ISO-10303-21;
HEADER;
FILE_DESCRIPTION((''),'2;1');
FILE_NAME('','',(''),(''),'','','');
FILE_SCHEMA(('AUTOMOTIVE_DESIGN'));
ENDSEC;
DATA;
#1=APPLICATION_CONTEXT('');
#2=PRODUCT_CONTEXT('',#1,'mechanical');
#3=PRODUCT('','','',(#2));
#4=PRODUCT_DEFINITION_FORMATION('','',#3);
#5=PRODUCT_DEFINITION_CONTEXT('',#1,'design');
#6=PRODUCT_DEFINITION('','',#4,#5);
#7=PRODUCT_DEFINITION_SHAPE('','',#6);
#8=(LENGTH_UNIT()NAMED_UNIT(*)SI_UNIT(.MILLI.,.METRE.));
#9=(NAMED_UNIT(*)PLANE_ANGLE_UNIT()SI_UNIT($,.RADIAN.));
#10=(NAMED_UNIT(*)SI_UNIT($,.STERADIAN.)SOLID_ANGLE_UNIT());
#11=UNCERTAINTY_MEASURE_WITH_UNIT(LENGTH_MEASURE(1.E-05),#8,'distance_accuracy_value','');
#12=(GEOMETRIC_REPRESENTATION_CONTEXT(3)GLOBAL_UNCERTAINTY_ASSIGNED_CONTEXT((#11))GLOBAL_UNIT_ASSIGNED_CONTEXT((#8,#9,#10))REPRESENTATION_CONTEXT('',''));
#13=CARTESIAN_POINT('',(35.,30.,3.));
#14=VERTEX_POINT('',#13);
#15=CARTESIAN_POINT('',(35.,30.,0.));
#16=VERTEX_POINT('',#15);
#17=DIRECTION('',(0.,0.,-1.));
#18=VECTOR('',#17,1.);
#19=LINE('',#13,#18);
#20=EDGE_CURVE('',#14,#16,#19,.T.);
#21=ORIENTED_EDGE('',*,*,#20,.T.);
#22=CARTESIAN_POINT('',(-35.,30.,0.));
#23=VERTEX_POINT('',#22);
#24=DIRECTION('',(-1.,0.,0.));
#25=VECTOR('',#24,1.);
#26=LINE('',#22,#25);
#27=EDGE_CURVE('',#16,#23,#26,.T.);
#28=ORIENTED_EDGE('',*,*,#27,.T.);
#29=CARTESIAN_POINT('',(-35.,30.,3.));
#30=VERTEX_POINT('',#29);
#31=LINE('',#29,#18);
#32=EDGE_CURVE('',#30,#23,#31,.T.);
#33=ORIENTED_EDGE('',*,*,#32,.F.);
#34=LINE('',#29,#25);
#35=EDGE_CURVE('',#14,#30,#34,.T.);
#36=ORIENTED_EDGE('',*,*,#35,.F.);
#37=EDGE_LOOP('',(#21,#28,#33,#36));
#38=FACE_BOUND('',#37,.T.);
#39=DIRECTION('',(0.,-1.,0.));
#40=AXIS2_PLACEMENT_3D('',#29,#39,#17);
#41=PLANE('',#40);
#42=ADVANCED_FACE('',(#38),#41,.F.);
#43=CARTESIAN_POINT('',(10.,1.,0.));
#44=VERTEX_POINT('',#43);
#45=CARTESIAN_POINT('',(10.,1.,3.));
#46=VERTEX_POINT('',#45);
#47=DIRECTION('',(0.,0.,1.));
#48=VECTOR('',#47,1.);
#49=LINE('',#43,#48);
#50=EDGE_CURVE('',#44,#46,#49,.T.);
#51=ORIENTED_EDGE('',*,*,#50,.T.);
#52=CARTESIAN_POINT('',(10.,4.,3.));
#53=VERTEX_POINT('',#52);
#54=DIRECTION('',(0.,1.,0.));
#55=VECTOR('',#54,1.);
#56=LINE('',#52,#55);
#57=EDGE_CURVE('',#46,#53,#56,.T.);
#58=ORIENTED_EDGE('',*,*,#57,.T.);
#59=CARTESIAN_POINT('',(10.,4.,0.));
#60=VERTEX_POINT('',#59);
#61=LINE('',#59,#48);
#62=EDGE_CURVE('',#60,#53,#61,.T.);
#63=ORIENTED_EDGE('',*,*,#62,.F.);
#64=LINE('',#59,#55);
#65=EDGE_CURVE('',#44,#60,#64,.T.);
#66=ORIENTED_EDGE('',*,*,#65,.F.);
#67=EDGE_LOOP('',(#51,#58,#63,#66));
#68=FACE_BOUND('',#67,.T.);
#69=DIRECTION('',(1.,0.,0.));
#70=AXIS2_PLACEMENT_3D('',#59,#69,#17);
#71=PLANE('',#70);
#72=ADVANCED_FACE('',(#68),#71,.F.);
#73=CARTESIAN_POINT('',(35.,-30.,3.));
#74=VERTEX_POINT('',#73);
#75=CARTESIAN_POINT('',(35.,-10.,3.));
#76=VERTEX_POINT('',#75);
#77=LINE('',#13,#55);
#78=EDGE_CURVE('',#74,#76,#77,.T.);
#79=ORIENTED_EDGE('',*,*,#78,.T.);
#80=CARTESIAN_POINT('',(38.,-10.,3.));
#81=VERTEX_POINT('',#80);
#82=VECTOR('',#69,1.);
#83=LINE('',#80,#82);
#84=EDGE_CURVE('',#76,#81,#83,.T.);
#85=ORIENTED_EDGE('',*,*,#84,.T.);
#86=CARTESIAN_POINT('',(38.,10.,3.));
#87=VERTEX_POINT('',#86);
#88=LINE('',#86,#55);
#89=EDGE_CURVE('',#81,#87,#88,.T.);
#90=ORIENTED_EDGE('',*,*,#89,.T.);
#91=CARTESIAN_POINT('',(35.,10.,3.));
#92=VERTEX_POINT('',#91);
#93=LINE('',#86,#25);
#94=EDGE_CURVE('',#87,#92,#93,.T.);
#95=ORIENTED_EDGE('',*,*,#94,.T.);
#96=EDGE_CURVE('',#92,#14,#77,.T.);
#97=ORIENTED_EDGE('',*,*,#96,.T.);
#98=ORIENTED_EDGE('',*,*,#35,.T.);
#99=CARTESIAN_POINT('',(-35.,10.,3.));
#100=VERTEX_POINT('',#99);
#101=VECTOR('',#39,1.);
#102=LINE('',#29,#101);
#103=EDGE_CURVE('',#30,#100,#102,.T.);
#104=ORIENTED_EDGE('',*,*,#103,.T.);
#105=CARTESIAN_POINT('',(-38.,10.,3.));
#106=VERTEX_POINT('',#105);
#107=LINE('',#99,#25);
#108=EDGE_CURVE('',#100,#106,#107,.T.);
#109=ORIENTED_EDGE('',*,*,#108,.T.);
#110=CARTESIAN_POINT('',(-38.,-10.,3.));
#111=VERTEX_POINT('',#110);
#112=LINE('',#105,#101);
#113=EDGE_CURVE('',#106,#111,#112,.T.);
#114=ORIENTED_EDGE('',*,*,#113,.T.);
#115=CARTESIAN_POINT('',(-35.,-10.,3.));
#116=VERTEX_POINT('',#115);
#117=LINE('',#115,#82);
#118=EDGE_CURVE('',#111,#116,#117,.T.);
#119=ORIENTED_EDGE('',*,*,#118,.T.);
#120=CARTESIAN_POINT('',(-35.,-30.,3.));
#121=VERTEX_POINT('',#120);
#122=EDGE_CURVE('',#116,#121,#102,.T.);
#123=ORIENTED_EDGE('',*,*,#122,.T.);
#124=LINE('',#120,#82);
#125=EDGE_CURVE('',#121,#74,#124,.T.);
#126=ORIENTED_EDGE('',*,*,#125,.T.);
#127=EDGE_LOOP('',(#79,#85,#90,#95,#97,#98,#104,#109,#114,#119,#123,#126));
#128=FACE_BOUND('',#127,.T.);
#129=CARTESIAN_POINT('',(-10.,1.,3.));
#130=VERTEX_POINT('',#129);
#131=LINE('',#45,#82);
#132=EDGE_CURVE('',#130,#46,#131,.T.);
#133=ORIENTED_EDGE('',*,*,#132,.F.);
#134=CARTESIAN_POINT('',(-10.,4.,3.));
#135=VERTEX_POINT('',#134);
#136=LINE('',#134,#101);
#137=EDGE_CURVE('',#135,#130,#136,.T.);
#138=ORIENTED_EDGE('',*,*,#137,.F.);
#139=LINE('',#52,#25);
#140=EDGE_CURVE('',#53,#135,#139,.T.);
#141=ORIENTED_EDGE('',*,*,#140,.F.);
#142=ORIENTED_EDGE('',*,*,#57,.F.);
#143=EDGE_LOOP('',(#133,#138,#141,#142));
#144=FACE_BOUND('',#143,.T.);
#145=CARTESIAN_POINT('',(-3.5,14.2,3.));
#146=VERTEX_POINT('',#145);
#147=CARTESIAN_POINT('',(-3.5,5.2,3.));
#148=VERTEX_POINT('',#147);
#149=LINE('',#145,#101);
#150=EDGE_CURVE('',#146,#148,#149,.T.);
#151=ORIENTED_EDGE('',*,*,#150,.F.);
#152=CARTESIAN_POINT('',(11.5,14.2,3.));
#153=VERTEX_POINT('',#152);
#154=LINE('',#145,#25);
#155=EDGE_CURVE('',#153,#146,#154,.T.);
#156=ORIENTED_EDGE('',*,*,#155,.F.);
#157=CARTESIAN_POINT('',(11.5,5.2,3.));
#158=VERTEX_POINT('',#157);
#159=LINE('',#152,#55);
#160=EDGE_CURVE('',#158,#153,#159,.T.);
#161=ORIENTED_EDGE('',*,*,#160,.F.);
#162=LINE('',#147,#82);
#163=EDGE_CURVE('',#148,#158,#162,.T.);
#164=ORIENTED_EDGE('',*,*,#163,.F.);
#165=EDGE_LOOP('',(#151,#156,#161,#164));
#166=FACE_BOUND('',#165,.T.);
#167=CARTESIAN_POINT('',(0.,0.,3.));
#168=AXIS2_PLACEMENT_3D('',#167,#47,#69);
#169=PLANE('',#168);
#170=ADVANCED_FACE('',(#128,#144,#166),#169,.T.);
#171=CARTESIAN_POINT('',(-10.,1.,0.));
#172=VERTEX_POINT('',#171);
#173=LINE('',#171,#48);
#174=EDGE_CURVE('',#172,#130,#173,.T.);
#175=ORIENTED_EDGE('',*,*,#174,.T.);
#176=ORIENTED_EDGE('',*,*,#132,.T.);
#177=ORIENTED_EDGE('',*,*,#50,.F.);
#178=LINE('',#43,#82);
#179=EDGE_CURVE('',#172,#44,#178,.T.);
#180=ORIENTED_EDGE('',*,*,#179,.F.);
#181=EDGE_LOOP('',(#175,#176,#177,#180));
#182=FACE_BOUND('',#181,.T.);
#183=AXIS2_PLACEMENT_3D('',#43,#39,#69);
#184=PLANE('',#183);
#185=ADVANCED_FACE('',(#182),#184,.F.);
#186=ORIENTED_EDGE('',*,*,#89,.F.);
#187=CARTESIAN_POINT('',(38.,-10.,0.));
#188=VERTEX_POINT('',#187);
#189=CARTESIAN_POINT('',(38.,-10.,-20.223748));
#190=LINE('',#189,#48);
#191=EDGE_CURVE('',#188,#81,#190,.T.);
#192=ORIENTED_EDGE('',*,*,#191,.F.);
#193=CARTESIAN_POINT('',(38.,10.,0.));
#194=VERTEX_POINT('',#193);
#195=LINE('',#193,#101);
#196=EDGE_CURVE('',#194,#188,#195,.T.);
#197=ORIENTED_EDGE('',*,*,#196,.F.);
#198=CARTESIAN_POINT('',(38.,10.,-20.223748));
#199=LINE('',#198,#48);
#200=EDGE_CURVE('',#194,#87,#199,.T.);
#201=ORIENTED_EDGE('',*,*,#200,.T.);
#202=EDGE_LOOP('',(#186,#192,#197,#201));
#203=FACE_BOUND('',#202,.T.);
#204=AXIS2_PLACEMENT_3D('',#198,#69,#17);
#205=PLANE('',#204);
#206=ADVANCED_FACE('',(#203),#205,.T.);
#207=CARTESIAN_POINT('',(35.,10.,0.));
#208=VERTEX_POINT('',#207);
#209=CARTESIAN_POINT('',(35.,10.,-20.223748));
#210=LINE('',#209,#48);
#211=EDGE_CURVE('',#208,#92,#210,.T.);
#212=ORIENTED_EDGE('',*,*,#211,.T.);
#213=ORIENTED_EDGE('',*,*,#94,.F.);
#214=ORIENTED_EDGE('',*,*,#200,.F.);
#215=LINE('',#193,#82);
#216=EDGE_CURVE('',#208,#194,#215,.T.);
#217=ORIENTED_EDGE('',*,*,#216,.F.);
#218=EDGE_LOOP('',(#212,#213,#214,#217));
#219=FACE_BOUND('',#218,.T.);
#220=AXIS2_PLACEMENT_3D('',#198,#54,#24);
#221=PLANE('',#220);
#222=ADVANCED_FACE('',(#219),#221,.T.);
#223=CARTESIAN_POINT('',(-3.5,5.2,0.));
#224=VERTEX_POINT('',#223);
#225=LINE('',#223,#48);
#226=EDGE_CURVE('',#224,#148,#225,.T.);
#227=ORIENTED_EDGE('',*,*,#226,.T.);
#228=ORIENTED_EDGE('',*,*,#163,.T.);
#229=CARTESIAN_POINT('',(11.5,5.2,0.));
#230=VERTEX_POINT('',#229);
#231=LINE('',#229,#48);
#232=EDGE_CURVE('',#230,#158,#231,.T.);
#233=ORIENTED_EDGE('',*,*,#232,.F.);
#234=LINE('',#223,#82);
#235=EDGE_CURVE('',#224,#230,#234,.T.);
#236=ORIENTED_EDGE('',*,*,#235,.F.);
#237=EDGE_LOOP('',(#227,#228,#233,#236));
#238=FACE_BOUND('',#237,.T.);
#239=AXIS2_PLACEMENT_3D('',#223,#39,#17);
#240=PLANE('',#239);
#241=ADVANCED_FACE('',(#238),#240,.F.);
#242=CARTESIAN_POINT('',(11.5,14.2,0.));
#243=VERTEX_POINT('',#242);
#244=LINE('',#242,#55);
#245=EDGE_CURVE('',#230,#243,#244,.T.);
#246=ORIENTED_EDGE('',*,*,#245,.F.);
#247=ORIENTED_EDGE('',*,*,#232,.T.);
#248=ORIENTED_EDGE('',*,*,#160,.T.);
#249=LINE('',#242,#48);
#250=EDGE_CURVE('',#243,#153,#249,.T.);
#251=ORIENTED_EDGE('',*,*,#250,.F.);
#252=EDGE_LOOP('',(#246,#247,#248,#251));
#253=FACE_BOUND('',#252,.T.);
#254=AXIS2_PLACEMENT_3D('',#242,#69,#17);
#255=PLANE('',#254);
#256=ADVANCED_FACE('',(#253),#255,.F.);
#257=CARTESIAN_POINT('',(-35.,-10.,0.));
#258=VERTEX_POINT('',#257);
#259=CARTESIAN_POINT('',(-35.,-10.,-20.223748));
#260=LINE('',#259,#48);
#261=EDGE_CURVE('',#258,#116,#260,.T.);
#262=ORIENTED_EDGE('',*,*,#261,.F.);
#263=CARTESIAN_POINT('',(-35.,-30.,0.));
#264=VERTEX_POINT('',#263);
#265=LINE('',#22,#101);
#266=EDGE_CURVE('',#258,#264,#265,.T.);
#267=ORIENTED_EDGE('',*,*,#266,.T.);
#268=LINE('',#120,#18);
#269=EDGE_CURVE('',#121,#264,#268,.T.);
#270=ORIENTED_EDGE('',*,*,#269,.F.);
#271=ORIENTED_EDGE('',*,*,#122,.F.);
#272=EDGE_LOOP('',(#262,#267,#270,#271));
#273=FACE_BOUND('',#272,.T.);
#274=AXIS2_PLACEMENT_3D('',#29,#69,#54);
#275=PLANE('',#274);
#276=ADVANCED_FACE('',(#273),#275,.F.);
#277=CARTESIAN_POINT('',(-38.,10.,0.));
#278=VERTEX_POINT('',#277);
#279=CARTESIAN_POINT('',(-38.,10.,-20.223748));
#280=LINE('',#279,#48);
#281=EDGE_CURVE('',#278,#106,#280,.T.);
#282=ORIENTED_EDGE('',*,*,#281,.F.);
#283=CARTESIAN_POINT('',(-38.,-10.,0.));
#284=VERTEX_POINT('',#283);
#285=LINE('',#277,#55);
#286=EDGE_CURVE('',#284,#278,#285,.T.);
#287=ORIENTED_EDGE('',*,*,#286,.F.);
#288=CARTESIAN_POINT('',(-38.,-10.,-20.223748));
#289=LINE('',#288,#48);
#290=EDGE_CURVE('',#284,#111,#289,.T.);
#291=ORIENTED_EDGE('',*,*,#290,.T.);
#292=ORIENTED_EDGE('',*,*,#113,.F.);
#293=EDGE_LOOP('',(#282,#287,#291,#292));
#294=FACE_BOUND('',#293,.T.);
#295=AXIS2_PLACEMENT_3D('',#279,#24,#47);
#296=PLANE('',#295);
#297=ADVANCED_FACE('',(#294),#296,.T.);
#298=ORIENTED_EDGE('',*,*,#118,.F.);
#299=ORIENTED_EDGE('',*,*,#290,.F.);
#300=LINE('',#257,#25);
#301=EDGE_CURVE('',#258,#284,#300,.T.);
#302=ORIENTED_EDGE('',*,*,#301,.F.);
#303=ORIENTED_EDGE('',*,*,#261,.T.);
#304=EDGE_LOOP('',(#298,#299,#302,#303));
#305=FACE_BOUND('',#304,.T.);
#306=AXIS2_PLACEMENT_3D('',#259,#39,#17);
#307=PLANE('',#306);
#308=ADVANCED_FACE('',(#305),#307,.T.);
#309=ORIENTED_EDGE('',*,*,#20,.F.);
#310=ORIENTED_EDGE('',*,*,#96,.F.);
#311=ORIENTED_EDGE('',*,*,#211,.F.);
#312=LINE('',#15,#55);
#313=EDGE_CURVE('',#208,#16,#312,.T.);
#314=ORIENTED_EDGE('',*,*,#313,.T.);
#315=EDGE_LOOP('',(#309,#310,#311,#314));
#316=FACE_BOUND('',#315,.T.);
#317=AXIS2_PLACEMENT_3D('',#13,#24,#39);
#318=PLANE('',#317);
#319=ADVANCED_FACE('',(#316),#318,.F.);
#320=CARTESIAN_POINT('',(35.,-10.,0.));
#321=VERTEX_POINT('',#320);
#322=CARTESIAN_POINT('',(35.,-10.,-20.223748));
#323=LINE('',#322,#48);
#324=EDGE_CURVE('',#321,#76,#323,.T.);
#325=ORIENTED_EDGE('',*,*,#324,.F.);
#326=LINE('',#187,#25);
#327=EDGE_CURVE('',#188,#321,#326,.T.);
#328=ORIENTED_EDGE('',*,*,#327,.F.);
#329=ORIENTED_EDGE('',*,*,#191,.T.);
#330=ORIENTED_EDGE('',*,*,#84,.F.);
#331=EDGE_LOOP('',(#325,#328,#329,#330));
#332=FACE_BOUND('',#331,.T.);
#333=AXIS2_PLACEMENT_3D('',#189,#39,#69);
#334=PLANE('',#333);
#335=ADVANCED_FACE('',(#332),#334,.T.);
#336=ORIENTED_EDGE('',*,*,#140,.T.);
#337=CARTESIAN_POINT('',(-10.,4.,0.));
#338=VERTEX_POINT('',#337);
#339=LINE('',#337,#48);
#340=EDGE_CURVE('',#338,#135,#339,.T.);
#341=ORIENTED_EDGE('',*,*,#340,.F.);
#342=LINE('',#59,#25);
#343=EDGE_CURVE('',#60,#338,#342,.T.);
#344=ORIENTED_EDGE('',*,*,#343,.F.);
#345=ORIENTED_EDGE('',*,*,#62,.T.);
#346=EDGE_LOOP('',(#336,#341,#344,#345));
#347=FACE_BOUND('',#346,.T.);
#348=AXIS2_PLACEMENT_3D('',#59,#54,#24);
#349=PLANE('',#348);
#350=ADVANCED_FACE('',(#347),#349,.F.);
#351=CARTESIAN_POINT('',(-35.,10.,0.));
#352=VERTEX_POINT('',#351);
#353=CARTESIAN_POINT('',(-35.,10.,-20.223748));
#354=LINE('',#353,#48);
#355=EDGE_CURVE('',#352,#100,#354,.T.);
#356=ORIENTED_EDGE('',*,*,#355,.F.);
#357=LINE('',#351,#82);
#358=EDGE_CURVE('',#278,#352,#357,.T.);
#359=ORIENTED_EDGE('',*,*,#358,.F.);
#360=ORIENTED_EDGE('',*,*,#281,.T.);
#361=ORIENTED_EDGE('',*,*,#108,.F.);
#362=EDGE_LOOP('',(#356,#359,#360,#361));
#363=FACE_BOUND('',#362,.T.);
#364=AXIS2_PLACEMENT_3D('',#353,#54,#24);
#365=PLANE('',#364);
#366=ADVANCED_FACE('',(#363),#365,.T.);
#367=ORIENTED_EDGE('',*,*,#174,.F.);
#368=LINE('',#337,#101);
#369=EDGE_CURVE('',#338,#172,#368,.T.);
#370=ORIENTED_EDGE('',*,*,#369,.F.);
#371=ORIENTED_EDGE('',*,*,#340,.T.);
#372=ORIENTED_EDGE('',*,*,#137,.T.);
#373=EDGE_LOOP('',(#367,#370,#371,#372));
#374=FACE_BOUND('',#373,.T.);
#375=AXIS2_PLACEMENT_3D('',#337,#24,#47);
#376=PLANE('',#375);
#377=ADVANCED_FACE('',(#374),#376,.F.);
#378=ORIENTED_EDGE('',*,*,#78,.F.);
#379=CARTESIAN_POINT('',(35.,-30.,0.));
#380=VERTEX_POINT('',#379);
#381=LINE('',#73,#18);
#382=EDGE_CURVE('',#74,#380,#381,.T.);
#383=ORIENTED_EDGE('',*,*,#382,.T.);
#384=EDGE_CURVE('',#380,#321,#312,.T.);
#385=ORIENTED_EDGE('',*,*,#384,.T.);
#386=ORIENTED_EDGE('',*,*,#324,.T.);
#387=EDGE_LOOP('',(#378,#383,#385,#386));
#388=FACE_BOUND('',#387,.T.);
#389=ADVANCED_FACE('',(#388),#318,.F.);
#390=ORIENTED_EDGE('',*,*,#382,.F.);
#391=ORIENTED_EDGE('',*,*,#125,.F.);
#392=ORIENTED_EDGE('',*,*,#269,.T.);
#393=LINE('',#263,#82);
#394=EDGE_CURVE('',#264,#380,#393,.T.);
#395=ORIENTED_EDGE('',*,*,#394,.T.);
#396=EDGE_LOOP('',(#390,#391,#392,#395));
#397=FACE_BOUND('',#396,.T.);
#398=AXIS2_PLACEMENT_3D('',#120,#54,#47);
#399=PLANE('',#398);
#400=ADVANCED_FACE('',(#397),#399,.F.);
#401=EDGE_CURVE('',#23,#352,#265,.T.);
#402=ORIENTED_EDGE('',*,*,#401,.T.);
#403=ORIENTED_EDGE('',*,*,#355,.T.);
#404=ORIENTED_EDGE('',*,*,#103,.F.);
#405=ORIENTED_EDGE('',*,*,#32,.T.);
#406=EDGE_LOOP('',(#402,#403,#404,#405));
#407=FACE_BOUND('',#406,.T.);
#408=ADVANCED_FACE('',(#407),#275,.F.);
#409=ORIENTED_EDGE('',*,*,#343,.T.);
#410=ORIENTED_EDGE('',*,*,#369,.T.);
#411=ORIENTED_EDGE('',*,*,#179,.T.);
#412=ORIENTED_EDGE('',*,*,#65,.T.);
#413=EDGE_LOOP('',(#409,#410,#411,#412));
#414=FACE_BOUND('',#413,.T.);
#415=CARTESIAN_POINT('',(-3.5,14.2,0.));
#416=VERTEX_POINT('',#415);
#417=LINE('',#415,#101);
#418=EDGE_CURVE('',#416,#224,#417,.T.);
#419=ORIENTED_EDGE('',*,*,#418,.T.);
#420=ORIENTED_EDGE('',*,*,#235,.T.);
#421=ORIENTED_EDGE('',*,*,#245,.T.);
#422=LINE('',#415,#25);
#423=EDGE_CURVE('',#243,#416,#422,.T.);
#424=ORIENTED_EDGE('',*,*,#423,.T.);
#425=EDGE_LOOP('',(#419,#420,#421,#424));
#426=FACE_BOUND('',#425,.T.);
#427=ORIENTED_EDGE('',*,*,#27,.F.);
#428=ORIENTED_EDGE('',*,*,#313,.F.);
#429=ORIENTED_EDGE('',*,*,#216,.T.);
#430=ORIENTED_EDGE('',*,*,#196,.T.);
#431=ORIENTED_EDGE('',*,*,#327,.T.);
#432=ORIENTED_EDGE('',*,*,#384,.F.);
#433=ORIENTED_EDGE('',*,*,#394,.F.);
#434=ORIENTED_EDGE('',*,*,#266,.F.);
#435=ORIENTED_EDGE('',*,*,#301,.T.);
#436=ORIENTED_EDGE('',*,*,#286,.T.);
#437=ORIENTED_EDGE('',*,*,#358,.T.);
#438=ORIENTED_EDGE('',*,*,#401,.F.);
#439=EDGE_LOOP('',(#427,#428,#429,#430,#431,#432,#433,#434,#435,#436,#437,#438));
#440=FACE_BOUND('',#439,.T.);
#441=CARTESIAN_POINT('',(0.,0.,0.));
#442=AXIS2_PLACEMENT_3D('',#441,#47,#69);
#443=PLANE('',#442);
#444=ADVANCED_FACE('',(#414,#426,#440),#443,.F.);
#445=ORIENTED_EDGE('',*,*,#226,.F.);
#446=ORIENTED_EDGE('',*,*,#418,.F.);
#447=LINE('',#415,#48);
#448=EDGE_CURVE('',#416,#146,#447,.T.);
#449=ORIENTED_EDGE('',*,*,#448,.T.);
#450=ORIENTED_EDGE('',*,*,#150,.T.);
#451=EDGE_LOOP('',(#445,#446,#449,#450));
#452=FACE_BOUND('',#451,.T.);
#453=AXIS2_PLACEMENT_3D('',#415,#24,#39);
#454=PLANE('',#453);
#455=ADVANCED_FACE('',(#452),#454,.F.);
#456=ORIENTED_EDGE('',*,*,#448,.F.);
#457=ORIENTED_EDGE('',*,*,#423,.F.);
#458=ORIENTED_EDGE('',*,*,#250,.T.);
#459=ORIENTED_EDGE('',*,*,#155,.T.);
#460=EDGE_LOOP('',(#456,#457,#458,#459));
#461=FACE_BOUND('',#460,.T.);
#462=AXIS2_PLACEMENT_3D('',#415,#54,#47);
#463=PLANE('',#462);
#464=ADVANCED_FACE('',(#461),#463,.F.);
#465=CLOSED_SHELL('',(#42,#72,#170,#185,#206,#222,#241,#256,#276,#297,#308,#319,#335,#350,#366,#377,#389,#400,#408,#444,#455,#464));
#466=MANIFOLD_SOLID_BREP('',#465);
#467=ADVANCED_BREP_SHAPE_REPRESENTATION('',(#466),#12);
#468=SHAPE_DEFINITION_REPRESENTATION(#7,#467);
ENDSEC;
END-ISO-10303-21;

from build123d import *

# Parameters (mm, degrees)
SKETCH1_W           = 70
SKETCH1_H           = 60
BOSS_EXTRUDE1_DEPTH = 3
SKETCH2_W           = 15
SKETCH2_H           = 9
CUT_EXTRUDE1_DEPTH  = 3
SKETCH3_W           = 20
SKETCH3_H           = 3
CUT_EXTRUDE2_DEPTH  = 3
SKETCH4_W           = 3
SKETCH4_H           = 20
BOSS_EXTRUDE2_DEPTH = 3


with BuildPart() as part:
    # Sketch1 → Boss-Extrude1 (new body)
    with BuildSketch(Plane.XY):
        Rectangle(SKETCH1_W, SKETCH1_H)
    extrude(amount=BOSS_EXTRUDE1_DEPTH)

    # Sketch2 → Cut-Extrude1 (cut)
    with BuildSketch(Plane.XY.offset(3)):
        with Locations((4, 9.7)):
            Rectangle(SKETCH2_W, SKETCH2_H)
    extrude(amount=-CUT_EXTRUDE1_DEPTH, mode=Mode.SUBTRACT)

    # Sketch3 → Cut-Extrude2 (cut)
    with BuildSketch(Plane.XY.offset(3)):
        with Locations((0, 2.5)):
            Rectangle(SKETCH3_W, SKETCH3_H)
    extrude(amount=-CUT_EXTRUDE2_DEPTH, mode=Mode.SUBTRACT)

    # Sketch4 → Boss-Extrude2 (add)
    with BuildSketch(Plane.XY.offset(3)):
        with Locations((36.5, 0)):
            Rectangle(SKETCH4_W, SKETCH4_H)
        with Locations((-36.5, 0)):
            Rectangle(SKETCH4_W, SKETCH4_H)
    extrude(amount=-BOSS_EXTRUDE2_DEPTH)


solid = part.part
